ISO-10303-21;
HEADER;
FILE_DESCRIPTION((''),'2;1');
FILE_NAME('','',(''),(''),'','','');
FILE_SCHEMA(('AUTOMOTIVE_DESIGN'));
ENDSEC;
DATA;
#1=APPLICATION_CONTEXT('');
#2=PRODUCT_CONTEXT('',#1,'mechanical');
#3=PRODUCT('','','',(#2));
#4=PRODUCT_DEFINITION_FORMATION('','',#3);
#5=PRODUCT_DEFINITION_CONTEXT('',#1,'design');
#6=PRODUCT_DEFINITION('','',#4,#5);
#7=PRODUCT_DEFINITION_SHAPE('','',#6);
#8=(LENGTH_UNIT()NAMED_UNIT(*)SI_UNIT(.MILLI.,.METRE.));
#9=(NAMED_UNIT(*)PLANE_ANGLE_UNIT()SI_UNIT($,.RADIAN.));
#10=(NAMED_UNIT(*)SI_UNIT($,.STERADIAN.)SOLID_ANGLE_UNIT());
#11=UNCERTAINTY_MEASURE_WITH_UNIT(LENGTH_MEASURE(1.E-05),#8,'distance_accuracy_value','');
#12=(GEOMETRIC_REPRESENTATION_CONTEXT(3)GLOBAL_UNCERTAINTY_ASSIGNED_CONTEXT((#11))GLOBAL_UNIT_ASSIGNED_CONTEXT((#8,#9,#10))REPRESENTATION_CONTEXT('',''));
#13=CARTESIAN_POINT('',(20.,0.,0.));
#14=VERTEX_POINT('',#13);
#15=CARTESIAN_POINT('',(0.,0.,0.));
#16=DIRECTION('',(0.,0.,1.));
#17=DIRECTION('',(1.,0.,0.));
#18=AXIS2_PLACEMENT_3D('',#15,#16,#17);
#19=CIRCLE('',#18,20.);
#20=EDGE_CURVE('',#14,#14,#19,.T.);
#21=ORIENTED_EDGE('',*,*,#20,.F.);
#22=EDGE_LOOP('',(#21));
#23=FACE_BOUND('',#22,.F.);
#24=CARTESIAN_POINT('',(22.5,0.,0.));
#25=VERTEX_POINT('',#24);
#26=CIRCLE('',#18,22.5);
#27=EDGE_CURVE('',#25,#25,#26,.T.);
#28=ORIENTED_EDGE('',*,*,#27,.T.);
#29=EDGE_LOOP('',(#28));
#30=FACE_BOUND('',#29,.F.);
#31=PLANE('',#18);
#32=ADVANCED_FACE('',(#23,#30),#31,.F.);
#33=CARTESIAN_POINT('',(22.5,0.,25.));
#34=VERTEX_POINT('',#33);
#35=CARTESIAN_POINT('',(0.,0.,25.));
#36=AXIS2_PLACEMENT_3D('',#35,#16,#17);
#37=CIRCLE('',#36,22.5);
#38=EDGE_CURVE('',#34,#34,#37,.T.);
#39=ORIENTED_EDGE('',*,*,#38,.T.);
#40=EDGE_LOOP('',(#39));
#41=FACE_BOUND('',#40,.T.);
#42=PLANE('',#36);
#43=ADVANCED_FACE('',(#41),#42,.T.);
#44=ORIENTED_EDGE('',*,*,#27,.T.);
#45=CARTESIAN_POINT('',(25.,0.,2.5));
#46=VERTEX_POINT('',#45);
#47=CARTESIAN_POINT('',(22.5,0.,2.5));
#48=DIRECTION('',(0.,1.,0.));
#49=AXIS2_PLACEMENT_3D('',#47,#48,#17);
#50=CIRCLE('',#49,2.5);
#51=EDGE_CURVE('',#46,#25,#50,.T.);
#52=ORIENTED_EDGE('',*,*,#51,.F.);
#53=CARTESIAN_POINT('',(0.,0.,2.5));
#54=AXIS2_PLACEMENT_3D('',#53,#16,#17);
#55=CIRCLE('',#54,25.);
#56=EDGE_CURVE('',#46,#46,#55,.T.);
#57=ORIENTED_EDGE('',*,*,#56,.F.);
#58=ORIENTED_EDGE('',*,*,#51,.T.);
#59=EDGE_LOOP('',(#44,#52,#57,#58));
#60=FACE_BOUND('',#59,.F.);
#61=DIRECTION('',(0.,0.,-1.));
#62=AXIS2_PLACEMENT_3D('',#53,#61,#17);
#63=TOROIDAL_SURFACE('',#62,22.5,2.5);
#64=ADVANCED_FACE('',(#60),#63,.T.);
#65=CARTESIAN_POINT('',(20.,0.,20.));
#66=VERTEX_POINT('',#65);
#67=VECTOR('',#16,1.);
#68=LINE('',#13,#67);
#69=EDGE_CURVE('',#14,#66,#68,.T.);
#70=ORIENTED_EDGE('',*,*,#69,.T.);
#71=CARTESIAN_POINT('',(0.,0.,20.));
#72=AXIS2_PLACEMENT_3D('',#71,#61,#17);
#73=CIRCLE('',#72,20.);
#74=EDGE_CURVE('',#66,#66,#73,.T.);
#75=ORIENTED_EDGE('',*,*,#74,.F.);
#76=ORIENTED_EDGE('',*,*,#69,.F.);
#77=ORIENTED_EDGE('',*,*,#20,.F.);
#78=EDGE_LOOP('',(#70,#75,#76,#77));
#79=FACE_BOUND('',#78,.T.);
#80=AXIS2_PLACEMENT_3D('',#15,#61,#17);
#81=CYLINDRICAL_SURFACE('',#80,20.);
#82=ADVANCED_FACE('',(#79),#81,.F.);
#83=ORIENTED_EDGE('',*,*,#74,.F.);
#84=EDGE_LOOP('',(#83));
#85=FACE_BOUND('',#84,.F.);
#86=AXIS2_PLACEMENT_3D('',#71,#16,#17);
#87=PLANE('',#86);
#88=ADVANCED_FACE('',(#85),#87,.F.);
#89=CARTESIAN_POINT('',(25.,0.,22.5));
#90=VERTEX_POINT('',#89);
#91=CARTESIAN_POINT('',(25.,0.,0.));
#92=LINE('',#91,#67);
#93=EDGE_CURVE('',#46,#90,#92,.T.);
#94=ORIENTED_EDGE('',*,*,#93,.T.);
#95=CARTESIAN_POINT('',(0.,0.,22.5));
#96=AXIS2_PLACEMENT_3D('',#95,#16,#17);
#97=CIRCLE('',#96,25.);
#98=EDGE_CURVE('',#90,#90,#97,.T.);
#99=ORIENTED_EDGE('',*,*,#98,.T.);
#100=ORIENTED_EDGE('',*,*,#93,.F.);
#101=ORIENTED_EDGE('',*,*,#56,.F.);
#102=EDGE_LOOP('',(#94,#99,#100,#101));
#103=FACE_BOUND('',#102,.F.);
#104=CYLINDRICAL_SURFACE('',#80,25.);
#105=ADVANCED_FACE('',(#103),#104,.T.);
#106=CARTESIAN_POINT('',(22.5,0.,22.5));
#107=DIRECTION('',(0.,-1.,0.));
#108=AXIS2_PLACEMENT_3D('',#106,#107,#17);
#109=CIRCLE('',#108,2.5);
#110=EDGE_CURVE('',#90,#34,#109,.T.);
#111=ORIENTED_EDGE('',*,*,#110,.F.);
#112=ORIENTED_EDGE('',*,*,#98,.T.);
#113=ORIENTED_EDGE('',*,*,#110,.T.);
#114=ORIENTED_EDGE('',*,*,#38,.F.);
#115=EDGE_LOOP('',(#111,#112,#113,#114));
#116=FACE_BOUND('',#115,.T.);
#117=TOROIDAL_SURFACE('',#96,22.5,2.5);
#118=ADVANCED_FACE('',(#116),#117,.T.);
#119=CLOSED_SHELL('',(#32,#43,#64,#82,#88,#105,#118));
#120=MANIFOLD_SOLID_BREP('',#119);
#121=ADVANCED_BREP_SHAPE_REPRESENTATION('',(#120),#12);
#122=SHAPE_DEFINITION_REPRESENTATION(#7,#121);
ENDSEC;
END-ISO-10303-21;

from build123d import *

# Parameters (mm, degrees)
F0_R     = 25
F1_DEPTH = 25
F2_T     = -5
F3_R     = 2.5
F4_R     = 2.5


with BuildPart() as f1:
    # F0 (on Top) → F1 (new body)
    with BuildSketch(Plane.XY):
        Circle(F0_R)
    extrude(amount=F1_DEPTH)

    # F2
    f2_openings = [f1.faces().sort_by_distance(p)[0] for p in [
        (0, 0, 0),
    ]]
    offset(amount=F2_T, openings=f2_openings)

    # F3
    f3_edges = [f1.edges().sort_by_distance(p)[0] for p in [
        (-25, 0, 25),
    ]]
    fillet(f3_edges, radius=F3_R)

    # F4
    f4_edges = [f1.edges().sort_by_distance(p)[0] for p in [
        (-25, 0, 0),
    ]]
    fillet(f4_edges, radius=F4_R)


solid = f1.part
